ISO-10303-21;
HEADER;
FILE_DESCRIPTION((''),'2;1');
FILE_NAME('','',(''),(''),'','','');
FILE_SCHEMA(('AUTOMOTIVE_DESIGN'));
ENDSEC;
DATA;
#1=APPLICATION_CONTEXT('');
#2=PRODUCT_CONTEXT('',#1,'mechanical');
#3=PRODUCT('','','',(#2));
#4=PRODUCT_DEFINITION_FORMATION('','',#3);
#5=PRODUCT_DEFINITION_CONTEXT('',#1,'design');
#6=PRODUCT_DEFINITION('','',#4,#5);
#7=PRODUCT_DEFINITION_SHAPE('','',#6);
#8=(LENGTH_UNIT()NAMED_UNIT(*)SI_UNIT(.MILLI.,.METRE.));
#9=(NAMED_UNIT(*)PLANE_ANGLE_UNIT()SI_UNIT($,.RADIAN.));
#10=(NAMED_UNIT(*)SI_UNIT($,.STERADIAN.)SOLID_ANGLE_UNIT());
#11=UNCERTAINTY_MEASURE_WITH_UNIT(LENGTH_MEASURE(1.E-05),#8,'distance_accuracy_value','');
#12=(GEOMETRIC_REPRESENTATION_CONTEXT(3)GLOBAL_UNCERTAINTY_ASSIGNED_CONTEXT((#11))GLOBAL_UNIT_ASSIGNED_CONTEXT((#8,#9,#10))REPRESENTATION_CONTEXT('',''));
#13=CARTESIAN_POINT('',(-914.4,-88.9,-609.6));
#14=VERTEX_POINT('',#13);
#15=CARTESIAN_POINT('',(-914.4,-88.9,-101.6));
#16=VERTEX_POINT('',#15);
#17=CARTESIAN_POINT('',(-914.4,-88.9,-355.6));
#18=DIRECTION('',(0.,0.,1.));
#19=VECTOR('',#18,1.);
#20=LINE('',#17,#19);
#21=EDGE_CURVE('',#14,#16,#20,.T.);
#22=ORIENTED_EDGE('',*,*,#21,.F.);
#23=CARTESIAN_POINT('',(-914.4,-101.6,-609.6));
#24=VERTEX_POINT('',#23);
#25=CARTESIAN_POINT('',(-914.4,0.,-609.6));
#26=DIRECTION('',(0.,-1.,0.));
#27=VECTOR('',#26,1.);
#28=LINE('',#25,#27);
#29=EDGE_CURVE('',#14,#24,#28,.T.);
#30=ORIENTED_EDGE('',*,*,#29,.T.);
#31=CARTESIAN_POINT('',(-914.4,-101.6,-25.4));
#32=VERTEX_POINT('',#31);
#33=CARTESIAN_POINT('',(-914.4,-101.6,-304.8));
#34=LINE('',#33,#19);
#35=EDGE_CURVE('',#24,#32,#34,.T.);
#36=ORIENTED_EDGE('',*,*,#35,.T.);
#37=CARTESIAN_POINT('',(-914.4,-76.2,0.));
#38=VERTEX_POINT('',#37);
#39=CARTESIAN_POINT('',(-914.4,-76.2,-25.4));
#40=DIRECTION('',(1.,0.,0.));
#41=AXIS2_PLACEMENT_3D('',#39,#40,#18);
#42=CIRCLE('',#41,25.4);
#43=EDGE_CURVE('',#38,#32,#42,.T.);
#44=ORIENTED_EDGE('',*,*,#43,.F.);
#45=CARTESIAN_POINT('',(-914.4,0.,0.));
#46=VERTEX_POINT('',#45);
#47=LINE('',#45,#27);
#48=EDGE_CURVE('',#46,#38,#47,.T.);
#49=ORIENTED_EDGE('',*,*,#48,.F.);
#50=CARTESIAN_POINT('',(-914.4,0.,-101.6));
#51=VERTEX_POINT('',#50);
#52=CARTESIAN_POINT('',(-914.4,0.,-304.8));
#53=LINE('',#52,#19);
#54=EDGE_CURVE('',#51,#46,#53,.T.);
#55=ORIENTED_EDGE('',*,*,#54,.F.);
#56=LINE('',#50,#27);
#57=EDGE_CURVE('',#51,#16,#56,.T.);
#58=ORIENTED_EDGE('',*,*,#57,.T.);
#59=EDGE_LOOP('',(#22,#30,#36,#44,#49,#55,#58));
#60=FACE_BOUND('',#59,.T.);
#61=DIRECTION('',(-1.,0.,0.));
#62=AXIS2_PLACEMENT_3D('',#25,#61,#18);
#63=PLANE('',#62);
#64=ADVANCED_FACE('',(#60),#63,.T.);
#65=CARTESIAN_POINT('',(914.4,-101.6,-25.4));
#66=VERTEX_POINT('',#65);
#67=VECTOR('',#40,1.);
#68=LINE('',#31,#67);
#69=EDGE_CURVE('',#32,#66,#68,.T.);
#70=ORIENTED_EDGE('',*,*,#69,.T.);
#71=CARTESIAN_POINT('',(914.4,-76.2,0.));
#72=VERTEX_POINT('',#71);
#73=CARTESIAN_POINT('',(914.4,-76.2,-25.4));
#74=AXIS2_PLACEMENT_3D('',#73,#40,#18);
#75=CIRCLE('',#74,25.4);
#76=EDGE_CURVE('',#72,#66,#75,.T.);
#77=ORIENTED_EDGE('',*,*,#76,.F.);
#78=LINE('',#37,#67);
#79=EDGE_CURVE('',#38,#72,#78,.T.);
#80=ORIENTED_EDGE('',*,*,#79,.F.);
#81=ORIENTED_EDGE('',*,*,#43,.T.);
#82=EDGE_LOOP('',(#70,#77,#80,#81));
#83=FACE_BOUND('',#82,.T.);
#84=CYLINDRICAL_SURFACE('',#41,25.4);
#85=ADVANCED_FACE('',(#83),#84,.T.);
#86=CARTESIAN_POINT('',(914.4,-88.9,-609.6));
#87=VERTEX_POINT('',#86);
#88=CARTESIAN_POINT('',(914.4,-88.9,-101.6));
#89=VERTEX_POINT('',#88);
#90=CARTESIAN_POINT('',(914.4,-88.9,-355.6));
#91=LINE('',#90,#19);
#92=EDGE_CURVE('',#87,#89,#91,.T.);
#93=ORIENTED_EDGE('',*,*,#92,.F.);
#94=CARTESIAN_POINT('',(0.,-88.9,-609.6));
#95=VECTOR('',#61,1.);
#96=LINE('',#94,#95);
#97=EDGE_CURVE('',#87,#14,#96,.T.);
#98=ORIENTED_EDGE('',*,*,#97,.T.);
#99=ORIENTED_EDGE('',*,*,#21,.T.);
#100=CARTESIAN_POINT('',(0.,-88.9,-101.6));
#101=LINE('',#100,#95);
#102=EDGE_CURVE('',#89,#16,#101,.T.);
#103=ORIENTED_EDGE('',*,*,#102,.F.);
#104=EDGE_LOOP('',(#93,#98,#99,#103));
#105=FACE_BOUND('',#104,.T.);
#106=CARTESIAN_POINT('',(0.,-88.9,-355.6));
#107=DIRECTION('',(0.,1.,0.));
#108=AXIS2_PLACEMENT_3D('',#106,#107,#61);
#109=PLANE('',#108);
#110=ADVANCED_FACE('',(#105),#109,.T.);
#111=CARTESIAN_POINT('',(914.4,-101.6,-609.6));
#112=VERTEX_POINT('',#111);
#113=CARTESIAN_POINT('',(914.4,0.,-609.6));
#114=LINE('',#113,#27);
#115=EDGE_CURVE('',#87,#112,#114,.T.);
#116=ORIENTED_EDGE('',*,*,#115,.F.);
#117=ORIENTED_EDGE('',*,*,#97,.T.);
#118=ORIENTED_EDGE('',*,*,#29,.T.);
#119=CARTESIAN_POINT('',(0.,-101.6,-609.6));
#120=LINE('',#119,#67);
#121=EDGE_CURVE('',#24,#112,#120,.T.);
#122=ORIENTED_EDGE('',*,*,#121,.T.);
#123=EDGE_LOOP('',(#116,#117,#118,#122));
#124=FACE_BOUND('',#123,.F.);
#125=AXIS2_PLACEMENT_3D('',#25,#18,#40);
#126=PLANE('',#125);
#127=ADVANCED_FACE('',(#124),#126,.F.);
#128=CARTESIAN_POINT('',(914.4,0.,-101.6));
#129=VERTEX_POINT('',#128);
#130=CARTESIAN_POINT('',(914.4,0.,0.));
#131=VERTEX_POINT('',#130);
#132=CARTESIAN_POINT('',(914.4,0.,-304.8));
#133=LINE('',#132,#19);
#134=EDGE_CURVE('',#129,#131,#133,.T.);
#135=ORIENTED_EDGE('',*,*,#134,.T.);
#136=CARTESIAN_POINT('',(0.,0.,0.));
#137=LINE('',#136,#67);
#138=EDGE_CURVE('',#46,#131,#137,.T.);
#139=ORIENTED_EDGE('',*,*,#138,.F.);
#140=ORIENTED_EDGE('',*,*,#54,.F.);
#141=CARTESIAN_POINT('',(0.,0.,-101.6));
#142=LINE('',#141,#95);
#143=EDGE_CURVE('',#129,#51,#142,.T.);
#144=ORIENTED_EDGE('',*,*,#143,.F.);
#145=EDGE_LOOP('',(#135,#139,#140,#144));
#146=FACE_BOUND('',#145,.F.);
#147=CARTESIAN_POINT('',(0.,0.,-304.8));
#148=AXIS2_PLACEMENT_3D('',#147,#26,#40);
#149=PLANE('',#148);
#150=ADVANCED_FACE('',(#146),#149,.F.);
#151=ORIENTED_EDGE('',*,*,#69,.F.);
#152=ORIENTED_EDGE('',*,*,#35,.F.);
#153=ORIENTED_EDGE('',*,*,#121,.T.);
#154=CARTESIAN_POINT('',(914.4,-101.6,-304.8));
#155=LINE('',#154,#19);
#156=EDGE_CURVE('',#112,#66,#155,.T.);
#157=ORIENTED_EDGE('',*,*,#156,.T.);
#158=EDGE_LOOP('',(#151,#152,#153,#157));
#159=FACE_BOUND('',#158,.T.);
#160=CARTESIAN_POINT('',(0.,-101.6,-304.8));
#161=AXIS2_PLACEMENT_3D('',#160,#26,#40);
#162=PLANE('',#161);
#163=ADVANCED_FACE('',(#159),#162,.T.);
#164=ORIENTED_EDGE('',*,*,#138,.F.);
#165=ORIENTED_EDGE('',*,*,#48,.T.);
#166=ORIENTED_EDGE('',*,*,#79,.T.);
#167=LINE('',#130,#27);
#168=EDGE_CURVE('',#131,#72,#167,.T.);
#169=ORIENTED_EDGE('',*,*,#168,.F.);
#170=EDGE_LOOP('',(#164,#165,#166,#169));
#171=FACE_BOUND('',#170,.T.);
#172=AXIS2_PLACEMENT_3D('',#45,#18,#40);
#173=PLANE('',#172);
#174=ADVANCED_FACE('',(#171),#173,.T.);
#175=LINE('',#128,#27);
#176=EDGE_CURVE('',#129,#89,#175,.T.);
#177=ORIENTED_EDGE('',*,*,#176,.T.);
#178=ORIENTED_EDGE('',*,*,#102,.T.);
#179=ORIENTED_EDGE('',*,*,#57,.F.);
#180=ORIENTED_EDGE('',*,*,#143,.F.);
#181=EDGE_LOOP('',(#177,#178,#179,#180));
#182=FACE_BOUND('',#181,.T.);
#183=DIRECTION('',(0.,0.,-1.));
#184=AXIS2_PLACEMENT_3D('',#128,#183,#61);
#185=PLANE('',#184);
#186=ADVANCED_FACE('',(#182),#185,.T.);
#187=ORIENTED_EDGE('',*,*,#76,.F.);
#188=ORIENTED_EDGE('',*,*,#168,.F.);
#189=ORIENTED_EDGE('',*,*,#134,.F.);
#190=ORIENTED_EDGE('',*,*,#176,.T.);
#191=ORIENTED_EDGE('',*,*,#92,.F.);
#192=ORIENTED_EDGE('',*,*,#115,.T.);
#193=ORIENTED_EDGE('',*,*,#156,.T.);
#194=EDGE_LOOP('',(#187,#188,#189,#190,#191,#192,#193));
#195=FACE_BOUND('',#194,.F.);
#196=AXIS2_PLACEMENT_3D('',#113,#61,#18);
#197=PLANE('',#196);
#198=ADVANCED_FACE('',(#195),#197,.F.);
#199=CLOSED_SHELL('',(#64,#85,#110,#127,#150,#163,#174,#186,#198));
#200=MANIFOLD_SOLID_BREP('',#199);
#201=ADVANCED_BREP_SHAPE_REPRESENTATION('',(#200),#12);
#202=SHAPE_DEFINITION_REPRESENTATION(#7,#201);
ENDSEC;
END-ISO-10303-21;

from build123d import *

# Parameters (mm, degrees)
F0_W     = 1828.8
F0_H     = 609.6
F1_DEPTH = 101.6
F2_W     = 1828.8
F2_H     = 508
F3_DEPTH = 88.9
F4_R     = 25.4


with BuildPart() as f1:
    # F0 (on Front) → F1 (new body)
    with BuildSketch(Plane.XZ):
        with Locations((0, -304.8)):
            Rectangle(F0_W, F0_H)
    extrude(amount=F1_DEPTH)

    # F2 (on face) → F3 (cut)
    with BuildSketch(Plane(origin=(0, 0, 0), x_dir=(-1, 0, 0), z_dir=(0, 1, 0))):
        with Locations((0, -355.6)):
            Rectangle(F2_W, F2_H)
    extrude(amount=-F3_DEPTH, mode=Mode.SUBTRACT)

    # F4
    f4_edges = [f1.edges().sort_by_distance(p)[0] for p in [
        (0, -101.6, 0),
    ]]
    fillet(f4_edges, radius=F4_R)


solid = f1.part
